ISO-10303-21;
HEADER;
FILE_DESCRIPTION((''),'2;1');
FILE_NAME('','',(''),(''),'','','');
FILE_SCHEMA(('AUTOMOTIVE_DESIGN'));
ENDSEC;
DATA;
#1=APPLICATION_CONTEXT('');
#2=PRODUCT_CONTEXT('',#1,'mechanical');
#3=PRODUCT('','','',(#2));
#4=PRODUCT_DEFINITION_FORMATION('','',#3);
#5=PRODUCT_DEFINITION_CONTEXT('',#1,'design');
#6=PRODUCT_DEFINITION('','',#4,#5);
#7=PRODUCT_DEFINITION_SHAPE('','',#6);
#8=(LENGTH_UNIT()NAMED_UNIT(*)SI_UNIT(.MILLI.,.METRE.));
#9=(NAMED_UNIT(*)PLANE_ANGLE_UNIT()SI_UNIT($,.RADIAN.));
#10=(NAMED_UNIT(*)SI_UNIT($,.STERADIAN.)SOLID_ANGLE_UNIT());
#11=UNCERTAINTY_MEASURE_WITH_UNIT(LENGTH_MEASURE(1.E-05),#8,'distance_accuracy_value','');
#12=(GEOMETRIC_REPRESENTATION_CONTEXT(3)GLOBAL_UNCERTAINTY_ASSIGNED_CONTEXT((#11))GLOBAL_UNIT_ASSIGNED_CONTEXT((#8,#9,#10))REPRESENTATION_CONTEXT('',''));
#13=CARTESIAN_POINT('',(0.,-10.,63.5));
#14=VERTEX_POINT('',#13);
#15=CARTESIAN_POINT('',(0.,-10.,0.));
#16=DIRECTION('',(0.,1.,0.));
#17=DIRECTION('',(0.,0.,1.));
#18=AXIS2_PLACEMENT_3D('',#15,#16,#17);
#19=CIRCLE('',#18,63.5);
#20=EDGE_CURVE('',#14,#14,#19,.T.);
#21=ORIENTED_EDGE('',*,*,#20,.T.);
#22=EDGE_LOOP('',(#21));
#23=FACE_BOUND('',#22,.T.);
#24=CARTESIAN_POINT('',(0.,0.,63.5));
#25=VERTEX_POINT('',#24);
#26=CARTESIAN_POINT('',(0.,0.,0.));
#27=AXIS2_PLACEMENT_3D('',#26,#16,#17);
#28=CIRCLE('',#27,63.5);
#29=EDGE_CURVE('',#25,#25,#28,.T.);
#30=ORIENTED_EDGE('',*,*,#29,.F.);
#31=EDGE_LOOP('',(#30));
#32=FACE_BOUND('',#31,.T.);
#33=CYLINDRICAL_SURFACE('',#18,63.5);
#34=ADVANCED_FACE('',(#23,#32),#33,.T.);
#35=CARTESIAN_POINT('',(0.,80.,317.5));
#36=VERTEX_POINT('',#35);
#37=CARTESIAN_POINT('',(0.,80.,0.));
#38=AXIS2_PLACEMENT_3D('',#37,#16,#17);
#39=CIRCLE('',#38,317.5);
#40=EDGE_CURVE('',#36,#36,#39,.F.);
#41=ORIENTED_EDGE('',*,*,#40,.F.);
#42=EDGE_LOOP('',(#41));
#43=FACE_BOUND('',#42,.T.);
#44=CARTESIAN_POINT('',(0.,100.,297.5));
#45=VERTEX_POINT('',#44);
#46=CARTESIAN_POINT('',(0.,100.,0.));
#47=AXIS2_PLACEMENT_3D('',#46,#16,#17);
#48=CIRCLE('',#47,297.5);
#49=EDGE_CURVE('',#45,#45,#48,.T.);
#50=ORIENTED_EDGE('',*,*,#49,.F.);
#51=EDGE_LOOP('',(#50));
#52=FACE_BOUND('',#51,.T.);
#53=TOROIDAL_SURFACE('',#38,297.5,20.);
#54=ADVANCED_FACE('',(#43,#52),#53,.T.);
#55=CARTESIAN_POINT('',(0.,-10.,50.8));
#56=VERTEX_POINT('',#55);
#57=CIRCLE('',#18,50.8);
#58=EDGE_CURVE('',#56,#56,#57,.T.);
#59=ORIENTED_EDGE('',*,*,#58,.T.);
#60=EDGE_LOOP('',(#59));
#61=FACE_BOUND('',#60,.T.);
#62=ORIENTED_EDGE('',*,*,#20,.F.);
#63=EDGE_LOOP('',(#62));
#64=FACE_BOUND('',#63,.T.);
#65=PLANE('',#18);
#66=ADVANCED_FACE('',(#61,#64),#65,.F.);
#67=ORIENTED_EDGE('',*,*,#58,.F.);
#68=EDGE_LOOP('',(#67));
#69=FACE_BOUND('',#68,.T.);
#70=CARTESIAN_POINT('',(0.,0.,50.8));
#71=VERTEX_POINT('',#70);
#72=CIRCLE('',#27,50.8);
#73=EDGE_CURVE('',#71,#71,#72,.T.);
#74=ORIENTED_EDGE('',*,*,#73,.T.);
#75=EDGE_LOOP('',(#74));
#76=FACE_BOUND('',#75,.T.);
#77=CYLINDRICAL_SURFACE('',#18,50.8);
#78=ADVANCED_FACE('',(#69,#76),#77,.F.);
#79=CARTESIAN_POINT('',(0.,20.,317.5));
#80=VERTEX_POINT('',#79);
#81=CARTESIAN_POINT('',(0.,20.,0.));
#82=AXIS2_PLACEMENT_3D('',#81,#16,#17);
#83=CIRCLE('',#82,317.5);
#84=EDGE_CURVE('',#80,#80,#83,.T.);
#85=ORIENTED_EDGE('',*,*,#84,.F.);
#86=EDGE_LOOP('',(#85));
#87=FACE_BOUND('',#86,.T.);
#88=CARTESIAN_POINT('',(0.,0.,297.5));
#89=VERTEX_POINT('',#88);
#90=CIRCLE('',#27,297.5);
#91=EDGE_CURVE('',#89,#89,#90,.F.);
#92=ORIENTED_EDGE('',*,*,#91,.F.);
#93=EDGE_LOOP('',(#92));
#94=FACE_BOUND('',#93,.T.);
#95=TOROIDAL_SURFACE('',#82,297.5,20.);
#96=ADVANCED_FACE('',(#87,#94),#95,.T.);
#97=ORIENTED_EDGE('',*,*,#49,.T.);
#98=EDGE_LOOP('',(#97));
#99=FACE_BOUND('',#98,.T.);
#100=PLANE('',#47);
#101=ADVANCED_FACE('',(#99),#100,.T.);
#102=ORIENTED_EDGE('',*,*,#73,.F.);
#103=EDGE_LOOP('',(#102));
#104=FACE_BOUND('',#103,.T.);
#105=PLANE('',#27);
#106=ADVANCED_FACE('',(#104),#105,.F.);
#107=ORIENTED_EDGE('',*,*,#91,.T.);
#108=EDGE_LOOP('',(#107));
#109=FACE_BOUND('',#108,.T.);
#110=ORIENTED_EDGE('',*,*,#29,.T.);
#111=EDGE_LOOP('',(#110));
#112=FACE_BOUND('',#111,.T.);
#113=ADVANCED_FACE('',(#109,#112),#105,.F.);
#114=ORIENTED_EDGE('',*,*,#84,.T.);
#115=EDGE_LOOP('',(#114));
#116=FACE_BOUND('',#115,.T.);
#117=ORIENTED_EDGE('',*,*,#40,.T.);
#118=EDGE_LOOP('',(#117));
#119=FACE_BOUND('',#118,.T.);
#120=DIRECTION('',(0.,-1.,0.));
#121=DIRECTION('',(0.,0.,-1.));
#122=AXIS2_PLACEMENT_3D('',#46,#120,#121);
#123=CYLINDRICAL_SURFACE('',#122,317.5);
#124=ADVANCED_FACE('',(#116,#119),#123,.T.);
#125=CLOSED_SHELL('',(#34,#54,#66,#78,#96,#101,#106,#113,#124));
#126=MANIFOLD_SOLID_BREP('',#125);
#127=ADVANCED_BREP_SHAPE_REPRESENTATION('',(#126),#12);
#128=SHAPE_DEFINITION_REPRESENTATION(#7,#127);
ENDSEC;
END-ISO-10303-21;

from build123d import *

# Parameters (mm, degrees)
SKETCH3_R           = 317.5
BOSS_EXTRUDE2_DEPTH = 100
FILLET5_R           = 20
SKETCH4_R           = 63.5
SKETCH4_R_2         = 50.8
BOSS_EXTRUDE3_DEPTH = 10


with BuildPart() as part:
    # Sketch3 → Boss-Extrude2 (new body)
    with BuildSketch(Plane(origin=(0, 0, 0), x_dir=(1, 0, 0), z_dir=(0, 1, 0))):
        with Locations(Location((0, 0, 0), (0, 0, 270))):
            Circle(SKETCH3_R)
    extrude(amount=BOSS_EXTRUDE2_DEPTH)

    # Fillet5
    fillet5_edges = [part.edges().sort_by_distance(p)[0] for p in [
        (0, 0, -317.5),
        (0, 100, -317.5),
    ]]
    fillet(fillet5_edges, radius=FILLET5_R)

    # Sketch4 → Boss-Extrude3 (add)
    with BuildSketch(Plane(origin=(0, 0, 0), x_dir=(1, 0, 0), z_dir=(0, 1, 0))):
        with Locations(Location((0, 0, 0), (0, 0, 270))):
            Circle(SKETCH4_R)
        with Locations(Location((0, 0, 0), (0, 0, 270))):
            Circle(SKETCH4_R_2, mode=Mode.SUBTRACT)
    extrude(amount=-BOSS_EXTRUDE3_DEPTH)


solid = part.part
